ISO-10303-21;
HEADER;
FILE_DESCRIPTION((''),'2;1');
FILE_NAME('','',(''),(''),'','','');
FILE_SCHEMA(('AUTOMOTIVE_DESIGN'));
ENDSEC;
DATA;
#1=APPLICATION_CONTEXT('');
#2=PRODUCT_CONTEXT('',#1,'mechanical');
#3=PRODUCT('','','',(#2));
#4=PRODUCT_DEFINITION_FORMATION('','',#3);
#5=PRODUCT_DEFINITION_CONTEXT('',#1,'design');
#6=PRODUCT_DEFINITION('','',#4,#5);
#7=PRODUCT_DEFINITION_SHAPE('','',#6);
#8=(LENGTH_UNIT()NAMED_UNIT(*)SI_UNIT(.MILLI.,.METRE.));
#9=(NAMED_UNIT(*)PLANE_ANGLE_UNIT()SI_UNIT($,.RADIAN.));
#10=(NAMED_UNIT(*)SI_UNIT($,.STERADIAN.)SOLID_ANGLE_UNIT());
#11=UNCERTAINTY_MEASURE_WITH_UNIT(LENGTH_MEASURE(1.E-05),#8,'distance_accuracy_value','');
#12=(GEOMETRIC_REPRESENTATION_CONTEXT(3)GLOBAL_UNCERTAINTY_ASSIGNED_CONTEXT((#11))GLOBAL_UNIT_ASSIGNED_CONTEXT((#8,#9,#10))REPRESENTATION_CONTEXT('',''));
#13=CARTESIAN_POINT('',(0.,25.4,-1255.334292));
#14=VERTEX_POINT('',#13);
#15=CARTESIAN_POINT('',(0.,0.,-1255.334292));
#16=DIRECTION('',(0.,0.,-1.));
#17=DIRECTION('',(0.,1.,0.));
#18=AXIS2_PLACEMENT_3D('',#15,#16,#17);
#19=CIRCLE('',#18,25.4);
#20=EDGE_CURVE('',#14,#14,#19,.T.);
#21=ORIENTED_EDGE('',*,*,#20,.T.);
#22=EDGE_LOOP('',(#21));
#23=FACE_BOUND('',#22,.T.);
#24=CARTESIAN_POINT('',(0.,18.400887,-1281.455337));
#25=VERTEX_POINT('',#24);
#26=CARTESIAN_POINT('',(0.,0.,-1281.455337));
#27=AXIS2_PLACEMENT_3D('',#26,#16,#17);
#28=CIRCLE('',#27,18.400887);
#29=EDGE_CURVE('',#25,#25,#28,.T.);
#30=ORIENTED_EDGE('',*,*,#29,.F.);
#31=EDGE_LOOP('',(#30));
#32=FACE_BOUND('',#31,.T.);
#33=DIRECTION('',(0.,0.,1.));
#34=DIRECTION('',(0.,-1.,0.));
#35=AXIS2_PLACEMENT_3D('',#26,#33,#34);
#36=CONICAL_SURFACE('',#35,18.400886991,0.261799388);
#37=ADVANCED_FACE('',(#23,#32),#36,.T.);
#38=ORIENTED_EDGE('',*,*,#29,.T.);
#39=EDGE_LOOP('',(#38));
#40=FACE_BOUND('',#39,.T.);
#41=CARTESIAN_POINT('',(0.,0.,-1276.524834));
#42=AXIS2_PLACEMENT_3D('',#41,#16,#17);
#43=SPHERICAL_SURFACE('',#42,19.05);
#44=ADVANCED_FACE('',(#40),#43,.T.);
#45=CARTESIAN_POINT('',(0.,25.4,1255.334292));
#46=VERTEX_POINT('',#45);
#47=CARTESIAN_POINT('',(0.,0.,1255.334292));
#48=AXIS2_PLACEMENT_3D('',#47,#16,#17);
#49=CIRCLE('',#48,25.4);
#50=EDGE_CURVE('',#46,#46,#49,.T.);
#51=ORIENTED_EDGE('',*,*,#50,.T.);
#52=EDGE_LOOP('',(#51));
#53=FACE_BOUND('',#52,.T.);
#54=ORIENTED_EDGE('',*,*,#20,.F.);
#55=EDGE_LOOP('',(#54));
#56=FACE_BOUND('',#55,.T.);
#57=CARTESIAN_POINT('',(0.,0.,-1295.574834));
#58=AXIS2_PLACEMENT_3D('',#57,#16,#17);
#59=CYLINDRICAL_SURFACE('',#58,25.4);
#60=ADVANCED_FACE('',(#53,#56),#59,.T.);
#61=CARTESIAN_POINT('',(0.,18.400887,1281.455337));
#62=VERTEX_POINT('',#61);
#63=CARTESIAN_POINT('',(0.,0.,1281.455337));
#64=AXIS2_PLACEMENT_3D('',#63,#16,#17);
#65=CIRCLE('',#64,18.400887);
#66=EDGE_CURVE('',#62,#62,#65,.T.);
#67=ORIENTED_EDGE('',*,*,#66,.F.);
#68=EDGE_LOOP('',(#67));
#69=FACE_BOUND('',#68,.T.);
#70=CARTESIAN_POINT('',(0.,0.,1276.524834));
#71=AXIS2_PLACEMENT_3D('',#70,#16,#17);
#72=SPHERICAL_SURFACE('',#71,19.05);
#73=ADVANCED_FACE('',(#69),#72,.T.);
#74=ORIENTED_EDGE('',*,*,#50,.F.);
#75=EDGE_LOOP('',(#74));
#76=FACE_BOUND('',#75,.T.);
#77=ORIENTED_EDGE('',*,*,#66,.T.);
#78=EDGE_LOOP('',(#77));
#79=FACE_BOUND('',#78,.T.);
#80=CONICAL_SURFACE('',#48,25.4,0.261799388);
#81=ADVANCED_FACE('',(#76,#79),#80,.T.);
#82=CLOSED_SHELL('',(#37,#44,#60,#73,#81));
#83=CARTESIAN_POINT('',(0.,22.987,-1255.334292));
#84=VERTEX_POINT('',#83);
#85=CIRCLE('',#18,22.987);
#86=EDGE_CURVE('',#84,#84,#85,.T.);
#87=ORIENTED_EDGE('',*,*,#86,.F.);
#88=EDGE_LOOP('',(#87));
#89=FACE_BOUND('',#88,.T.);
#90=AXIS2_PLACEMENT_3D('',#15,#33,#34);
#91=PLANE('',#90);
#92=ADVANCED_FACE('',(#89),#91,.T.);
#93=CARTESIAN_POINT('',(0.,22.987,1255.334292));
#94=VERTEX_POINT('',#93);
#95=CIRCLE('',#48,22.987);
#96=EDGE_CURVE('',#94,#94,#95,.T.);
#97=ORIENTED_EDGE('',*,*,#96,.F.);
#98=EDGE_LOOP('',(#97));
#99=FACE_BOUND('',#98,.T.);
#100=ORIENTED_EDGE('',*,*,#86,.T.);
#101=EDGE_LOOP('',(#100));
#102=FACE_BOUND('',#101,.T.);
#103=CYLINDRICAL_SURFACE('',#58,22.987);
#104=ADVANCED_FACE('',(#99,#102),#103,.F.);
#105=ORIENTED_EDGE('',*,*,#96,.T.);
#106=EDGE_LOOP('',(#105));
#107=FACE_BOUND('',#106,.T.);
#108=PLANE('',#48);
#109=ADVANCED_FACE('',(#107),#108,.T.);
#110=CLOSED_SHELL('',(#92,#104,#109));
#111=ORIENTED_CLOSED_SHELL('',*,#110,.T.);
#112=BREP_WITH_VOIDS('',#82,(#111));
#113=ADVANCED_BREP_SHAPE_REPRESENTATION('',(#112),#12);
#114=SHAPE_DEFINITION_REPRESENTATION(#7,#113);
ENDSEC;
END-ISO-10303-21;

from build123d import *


with BuildPart() as part:
    # Sketch2 → Revolve1 (revolve)
    with BuildSketch(Plane(origin=(0, 0, 0), x_dir=(0, 0, -1), z_dir=(1, 0, 0))):
        with BuildLine():
            Line((1255.334291848, 25.4), (1281.455337206, 18.400886991))
            ThreePointArc((1281.455337206, 18.400886991), (1291.638215529, 11.596905223), (1295.574834397, 0))
            Line((1295.574834397, 0), (1255.334291848, 0))
            Line((1255.334291848, 0), (1255.334291848, 22.987))
            Line((1255.334291848, 22.987), (-1255.334291848, 22.987))
            Line((-1255.334291848, 22.987), (-1255.334291848, 0))
            Line((-1255.334291848, 0), (-1295.574834397, 0))
            ThreePointArc((-1295.574834397, 0), (-1291.638215529, 11.596905223), (-1281.455337206, 18.400886991))
            Line((-1281.455337206, 18.400886991), (-1255.334291848, 25.4))
            Line((-1255.334291848, 25.4), (1255.334291848, 25.4))
        make_face()
    revolve(axis=Axis((0, 0, -1295.574834397), (0, 0, 1)))


solid = part.part
